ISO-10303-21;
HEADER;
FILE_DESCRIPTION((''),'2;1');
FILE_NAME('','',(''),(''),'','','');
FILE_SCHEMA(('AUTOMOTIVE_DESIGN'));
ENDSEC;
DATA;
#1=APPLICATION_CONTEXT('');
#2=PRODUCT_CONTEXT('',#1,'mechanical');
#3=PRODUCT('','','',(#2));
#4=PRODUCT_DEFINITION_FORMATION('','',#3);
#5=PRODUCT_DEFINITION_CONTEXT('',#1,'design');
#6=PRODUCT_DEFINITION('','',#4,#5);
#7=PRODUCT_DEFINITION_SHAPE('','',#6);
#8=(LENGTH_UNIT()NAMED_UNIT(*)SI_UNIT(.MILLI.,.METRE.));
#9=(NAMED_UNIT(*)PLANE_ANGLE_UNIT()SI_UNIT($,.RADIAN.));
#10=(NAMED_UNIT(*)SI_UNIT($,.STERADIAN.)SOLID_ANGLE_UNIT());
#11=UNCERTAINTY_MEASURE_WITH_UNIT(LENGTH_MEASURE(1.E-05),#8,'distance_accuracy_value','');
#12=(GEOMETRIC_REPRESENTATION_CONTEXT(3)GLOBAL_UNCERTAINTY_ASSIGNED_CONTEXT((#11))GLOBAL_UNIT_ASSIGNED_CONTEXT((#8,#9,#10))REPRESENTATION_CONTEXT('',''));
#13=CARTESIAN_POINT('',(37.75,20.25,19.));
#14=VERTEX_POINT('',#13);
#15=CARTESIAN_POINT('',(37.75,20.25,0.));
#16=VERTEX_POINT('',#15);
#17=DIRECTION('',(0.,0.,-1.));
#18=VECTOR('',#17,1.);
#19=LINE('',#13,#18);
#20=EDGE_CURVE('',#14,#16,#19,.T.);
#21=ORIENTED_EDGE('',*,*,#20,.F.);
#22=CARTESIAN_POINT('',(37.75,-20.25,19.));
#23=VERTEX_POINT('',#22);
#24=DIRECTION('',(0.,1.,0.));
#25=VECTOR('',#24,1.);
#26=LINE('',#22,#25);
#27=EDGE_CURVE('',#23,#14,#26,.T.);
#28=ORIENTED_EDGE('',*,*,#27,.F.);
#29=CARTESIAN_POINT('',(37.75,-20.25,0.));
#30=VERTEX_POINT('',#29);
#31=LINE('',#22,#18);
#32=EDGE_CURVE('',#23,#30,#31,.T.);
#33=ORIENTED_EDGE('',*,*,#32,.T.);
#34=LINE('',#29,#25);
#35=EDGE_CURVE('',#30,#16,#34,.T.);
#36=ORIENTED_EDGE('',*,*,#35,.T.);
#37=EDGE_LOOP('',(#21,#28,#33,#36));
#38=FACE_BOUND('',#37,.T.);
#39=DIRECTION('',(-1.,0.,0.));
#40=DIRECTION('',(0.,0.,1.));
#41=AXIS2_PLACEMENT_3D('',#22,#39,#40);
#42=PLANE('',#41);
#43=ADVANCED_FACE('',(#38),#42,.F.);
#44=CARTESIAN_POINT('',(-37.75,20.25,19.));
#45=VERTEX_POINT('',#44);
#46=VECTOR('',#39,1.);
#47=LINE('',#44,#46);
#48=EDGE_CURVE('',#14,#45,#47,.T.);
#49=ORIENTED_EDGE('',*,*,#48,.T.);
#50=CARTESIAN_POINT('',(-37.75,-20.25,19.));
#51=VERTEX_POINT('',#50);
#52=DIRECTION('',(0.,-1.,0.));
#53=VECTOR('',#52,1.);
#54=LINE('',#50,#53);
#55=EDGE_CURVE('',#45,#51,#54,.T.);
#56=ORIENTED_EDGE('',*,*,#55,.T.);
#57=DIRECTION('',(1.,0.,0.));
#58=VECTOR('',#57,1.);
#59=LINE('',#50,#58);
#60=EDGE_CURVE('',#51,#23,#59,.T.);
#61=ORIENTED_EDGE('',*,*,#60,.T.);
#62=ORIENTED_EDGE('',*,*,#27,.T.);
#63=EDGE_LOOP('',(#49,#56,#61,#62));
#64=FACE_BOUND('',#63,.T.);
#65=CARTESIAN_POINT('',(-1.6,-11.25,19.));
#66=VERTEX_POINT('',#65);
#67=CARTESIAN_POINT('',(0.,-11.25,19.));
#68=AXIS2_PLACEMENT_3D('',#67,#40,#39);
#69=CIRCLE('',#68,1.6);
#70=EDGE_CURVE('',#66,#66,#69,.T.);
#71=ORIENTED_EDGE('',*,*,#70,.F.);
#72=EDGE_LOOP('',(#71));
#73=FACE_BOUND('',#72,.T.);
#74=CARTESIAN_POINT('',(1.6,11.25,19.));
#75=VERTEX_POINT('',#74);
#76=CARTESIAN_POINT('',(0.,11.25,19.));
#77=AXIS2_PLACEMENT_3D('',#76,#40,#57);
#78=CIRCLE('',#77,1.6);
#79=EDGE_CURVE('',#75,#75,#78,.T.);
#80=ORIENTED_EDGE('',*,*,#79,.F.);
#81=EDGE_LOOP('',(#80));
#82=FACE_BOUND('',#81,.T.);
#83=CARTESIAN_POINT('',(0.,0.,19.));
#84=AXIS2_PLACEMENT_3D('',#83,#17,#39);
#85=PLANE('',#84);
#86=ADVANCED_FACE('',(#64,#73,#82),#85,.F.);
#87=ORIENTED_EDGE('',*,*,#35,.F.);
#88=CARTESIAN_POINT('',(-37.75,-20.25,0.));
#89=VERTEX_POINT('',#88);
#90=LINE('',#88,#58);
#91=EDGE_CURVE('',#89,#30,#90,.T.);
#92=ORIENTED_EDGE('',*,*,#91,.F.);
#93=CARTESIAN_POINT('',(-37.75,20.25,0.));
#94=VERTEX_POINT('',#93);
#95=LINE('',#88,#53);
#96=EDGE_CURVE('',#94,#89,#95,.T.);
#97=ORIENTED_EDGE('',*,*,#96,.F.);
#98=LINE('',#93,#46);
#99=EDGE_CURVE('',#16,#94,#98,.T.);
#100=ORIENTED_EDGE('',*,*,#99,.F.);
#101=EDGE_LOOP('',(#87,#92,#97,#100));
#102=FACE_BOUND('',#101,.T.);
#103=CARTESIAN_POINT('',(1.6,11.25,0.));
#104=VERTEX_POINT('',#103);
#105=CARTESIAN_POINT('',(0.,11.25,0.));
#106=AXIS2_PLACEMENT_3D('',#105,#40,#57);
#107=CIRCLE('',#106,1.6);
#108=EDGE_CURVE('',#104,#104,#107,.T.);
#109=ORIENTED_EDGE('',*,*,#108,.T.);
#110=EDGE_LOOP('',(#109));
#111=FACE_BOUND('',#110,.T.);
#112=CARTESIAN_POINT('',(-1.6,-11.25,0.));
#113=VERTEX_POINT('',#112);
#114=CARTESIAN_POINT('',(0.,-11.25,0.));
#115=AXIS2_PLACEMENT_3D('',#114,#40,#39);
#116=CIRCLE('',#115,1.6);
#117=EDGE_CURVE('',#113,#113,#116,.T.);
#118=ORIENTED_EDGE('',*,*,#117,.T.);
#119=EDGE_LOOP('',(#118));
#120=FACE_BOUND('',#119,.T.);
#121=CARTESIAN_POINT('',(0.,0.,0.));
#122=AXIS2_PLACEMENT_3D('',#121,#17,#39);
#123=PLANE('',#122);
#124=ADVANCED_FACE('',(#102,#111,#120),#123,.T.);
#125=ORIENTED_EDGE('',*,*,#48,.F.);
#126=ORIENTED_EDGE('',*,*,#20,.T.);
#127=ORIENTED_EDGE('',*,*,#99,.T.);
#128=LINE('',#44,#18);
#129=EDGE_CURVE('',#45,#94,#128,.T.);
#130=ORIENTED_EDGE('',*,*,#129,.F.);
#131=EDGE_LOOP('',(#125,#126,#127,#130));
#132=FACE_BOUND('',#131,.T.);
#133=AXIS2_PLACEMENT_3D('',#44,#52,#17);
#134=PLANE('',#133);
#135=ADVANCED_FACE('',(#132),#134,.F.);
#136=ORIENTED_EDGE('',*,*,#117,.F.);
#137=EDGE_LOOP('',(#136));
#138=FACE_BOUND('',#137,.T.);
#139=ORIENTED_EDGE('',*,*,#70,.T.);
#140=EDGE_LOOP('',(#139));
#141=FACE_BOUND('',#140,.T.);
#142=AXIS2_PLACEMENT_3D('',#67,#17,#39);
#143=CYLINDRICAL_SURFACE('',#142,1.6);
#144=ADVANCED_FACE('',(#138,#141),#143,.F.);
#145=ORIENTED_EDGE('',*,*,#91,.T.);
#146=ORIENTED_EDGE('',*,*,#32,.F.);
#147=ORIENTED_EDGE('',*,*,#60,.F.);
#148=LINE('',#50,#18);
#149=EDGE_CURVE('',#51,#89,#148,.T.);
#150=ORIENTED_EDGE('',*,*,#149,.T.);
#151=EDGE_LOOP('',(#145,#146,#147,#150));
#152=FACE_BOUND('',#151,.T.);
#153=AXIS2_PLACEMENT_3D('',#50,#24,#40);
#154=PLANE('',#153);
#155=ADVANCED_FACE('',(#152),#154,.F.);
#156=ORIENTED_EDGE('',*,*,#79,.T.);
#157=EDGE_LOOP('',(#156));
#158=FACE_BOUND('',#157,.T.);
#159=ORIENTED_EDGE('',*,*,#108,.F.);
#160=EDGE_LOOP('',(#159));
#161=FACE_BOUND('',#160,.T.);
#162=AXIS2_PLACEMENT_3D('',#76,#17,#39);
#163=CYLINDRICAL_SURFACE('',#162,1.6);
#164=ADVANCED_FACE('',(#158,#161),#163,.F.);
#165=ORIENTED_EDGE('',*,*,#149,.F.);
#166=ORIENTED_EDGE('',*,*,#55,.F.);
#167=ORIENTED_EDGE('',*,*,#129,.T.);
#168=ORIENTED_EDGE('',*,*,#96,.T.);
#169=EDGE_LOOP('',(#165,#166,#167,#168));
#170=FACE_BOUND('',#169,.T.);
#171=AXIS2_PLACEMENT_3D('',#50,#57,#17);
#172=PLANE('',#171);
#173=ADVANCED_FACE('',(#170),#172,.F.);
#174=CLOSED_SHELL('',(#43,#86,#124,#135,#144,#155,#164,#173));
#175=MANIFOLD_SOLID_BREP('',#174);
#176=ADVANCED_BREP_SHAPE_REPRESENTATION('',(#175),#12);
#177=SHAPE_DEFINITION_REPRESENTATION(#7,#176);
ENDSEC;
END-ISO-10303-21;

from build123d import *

# Parameters (mm, degrees)
SKETCH1_W           = 75.5
SKETCH1_H           = 40.5
SKETCH1_R           = 1.6
BOSS_EXTRUDE1_DEPTH = 19


with BuildPart() as part:
    # Sketch1 → Boss-Extrude1 (new body)
    with BuildSketch(Plane.XY):
        Rectangle(SKETCH1_W, SKETCH1_H)
        with Locations((0, 11.25)):
            Circle(SKETCH1_R, mode=Mode.SUBTRACT)
        with Locations(Location((0, -11.25, 0), (0, 0, 180))):
            Circle(SKETCH1_R, mode=Mode.SUBTRACT)
    extrude(amount=BOSS_EXTRUDE1_DEPTH)


solid = part.part
